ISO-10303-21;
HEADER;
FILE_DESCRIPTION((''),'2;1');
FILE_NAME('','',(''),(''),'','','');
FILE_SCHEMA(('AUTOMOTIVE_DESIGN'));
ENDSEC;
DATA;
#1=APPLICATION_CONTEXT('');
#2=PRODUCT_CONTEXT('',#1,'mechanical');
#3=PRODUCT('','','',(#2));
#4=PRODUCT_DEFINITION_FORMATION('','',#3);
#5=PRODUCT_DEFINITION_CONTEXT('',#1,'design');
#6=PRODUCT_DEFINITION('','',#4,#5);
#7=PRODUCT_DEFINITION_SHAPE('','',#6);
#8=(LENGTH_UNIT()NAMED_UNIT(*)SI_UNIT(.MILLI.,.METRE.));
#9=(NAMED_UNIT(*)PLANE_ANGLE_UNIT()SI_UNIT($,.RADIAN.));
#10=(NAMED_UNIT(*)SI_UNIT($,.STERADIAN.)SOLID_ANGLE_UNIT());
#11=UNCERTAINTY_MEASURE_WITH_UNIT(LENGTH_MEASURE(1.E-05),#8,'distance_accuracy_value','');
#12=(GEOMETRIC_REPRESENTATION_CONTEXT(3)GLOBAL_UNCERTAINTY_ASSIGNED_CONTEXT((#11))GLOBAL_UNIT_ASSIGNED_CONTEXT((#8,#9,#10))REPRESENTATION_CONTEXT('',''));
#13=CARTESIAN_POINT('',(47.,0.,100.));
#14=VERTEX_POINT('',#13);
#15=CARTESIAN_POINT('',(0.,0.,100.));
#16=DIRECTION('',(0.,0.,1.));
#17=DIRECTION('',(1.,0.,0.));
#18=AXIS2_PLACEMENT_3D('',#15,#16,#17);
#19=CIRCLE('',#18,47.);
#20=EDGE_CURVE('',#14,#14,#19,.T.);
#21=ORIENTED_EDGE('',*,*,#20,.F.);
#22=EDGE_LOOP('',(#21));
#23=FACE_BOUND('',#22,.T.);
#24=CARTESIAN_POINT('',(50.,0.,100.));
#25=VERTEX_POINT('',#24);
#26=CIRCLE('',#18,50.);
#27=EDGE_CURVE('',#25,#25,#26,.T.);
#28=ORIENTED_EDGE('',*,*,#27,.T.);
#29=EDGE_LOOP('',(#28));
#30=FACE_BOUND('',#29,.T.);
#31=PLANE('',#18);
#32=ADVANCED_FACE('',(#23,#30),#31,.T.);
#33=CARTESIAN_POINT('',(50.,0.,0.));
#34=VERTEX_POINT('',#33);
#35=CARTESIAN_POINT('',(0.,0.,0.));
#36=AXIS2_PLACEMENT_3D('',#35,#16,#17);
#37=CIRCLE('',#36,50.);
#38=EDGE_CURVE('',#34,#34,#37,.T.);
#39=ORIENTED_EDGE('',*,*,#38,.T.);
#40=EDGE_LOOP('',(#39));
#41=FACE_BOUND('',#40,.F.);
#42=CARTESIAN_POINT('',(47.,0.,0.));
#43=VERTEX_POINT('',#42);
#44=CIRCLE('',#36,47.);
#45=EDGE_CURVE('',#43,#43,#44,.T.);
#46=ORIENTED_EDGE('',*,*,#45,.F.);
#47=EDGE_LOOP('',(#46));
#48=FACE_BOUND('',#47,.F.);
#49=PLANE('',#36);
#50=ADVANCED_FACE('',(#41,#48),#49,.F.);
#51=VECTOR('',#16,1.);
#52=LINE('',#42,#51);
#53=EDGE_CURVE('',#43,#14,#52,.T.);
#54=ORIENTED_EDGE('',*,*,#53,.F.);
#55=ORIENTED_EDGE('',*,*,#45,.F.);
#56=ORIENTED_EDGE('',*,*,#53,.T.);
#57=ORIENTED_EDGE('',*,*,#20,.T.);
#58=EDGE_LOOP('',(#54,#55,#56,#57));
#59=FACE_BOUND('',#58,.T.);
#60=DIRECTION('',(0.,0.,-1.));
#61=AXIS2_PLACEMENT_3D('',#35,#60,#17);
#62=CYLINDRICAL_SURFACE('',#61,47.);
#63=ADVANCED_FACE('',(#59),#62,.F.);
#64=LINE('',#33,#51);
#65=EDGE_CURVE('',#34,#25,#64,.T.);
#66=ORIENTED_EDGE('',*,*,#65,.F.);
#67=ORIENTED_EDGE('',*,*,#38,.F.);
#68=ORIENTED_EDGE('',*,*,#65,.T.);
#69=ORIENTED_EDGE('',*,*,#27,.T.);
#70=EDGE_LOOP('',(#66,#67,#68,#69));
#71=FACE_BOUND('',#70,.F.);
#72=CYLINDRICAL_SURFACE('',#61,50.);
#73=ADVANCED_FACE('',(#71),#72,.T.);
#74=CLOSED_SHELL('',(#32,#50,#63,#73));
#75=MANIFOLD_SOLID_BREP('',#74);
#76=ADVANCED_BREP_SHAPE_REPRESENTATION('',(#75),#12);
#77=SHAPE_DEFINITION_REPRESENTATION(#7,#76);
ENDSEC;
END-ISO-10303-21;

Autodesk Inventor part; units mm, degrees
ref_plane "YZ Plane" through (0, 0, 0) normal (1, 0, 0) x (0, 1, 0)
ref_plane "XZ Plane" through (0, 0, 0) normal (0, 1, 0) x (-1, 0, 0)
ref_plane "XY Plane" through (0, 0, 0) normal (0, 0, 1) x (1, 0, 0)
sketch "Sketch1" plane through (0, 0, 0) normal (0, 0, 1) x (1, 0, 0)
  circle A0 centre (0, 0) radius 50
  circle A1 centre (0, 0) radius 47
  dimension "d0" = 100
  dimension "d1" = 3
extrude "Extrusion1" add sketch "Sketch1" along normal blind 100
equation "\"d0\" = MAIN_Outer_Tube_Diam"
equation "\"MAIN_Outer_Tube_Diam\" = 100"
properties part number "111 DS-B outer tube" material "Stainless Steel"
